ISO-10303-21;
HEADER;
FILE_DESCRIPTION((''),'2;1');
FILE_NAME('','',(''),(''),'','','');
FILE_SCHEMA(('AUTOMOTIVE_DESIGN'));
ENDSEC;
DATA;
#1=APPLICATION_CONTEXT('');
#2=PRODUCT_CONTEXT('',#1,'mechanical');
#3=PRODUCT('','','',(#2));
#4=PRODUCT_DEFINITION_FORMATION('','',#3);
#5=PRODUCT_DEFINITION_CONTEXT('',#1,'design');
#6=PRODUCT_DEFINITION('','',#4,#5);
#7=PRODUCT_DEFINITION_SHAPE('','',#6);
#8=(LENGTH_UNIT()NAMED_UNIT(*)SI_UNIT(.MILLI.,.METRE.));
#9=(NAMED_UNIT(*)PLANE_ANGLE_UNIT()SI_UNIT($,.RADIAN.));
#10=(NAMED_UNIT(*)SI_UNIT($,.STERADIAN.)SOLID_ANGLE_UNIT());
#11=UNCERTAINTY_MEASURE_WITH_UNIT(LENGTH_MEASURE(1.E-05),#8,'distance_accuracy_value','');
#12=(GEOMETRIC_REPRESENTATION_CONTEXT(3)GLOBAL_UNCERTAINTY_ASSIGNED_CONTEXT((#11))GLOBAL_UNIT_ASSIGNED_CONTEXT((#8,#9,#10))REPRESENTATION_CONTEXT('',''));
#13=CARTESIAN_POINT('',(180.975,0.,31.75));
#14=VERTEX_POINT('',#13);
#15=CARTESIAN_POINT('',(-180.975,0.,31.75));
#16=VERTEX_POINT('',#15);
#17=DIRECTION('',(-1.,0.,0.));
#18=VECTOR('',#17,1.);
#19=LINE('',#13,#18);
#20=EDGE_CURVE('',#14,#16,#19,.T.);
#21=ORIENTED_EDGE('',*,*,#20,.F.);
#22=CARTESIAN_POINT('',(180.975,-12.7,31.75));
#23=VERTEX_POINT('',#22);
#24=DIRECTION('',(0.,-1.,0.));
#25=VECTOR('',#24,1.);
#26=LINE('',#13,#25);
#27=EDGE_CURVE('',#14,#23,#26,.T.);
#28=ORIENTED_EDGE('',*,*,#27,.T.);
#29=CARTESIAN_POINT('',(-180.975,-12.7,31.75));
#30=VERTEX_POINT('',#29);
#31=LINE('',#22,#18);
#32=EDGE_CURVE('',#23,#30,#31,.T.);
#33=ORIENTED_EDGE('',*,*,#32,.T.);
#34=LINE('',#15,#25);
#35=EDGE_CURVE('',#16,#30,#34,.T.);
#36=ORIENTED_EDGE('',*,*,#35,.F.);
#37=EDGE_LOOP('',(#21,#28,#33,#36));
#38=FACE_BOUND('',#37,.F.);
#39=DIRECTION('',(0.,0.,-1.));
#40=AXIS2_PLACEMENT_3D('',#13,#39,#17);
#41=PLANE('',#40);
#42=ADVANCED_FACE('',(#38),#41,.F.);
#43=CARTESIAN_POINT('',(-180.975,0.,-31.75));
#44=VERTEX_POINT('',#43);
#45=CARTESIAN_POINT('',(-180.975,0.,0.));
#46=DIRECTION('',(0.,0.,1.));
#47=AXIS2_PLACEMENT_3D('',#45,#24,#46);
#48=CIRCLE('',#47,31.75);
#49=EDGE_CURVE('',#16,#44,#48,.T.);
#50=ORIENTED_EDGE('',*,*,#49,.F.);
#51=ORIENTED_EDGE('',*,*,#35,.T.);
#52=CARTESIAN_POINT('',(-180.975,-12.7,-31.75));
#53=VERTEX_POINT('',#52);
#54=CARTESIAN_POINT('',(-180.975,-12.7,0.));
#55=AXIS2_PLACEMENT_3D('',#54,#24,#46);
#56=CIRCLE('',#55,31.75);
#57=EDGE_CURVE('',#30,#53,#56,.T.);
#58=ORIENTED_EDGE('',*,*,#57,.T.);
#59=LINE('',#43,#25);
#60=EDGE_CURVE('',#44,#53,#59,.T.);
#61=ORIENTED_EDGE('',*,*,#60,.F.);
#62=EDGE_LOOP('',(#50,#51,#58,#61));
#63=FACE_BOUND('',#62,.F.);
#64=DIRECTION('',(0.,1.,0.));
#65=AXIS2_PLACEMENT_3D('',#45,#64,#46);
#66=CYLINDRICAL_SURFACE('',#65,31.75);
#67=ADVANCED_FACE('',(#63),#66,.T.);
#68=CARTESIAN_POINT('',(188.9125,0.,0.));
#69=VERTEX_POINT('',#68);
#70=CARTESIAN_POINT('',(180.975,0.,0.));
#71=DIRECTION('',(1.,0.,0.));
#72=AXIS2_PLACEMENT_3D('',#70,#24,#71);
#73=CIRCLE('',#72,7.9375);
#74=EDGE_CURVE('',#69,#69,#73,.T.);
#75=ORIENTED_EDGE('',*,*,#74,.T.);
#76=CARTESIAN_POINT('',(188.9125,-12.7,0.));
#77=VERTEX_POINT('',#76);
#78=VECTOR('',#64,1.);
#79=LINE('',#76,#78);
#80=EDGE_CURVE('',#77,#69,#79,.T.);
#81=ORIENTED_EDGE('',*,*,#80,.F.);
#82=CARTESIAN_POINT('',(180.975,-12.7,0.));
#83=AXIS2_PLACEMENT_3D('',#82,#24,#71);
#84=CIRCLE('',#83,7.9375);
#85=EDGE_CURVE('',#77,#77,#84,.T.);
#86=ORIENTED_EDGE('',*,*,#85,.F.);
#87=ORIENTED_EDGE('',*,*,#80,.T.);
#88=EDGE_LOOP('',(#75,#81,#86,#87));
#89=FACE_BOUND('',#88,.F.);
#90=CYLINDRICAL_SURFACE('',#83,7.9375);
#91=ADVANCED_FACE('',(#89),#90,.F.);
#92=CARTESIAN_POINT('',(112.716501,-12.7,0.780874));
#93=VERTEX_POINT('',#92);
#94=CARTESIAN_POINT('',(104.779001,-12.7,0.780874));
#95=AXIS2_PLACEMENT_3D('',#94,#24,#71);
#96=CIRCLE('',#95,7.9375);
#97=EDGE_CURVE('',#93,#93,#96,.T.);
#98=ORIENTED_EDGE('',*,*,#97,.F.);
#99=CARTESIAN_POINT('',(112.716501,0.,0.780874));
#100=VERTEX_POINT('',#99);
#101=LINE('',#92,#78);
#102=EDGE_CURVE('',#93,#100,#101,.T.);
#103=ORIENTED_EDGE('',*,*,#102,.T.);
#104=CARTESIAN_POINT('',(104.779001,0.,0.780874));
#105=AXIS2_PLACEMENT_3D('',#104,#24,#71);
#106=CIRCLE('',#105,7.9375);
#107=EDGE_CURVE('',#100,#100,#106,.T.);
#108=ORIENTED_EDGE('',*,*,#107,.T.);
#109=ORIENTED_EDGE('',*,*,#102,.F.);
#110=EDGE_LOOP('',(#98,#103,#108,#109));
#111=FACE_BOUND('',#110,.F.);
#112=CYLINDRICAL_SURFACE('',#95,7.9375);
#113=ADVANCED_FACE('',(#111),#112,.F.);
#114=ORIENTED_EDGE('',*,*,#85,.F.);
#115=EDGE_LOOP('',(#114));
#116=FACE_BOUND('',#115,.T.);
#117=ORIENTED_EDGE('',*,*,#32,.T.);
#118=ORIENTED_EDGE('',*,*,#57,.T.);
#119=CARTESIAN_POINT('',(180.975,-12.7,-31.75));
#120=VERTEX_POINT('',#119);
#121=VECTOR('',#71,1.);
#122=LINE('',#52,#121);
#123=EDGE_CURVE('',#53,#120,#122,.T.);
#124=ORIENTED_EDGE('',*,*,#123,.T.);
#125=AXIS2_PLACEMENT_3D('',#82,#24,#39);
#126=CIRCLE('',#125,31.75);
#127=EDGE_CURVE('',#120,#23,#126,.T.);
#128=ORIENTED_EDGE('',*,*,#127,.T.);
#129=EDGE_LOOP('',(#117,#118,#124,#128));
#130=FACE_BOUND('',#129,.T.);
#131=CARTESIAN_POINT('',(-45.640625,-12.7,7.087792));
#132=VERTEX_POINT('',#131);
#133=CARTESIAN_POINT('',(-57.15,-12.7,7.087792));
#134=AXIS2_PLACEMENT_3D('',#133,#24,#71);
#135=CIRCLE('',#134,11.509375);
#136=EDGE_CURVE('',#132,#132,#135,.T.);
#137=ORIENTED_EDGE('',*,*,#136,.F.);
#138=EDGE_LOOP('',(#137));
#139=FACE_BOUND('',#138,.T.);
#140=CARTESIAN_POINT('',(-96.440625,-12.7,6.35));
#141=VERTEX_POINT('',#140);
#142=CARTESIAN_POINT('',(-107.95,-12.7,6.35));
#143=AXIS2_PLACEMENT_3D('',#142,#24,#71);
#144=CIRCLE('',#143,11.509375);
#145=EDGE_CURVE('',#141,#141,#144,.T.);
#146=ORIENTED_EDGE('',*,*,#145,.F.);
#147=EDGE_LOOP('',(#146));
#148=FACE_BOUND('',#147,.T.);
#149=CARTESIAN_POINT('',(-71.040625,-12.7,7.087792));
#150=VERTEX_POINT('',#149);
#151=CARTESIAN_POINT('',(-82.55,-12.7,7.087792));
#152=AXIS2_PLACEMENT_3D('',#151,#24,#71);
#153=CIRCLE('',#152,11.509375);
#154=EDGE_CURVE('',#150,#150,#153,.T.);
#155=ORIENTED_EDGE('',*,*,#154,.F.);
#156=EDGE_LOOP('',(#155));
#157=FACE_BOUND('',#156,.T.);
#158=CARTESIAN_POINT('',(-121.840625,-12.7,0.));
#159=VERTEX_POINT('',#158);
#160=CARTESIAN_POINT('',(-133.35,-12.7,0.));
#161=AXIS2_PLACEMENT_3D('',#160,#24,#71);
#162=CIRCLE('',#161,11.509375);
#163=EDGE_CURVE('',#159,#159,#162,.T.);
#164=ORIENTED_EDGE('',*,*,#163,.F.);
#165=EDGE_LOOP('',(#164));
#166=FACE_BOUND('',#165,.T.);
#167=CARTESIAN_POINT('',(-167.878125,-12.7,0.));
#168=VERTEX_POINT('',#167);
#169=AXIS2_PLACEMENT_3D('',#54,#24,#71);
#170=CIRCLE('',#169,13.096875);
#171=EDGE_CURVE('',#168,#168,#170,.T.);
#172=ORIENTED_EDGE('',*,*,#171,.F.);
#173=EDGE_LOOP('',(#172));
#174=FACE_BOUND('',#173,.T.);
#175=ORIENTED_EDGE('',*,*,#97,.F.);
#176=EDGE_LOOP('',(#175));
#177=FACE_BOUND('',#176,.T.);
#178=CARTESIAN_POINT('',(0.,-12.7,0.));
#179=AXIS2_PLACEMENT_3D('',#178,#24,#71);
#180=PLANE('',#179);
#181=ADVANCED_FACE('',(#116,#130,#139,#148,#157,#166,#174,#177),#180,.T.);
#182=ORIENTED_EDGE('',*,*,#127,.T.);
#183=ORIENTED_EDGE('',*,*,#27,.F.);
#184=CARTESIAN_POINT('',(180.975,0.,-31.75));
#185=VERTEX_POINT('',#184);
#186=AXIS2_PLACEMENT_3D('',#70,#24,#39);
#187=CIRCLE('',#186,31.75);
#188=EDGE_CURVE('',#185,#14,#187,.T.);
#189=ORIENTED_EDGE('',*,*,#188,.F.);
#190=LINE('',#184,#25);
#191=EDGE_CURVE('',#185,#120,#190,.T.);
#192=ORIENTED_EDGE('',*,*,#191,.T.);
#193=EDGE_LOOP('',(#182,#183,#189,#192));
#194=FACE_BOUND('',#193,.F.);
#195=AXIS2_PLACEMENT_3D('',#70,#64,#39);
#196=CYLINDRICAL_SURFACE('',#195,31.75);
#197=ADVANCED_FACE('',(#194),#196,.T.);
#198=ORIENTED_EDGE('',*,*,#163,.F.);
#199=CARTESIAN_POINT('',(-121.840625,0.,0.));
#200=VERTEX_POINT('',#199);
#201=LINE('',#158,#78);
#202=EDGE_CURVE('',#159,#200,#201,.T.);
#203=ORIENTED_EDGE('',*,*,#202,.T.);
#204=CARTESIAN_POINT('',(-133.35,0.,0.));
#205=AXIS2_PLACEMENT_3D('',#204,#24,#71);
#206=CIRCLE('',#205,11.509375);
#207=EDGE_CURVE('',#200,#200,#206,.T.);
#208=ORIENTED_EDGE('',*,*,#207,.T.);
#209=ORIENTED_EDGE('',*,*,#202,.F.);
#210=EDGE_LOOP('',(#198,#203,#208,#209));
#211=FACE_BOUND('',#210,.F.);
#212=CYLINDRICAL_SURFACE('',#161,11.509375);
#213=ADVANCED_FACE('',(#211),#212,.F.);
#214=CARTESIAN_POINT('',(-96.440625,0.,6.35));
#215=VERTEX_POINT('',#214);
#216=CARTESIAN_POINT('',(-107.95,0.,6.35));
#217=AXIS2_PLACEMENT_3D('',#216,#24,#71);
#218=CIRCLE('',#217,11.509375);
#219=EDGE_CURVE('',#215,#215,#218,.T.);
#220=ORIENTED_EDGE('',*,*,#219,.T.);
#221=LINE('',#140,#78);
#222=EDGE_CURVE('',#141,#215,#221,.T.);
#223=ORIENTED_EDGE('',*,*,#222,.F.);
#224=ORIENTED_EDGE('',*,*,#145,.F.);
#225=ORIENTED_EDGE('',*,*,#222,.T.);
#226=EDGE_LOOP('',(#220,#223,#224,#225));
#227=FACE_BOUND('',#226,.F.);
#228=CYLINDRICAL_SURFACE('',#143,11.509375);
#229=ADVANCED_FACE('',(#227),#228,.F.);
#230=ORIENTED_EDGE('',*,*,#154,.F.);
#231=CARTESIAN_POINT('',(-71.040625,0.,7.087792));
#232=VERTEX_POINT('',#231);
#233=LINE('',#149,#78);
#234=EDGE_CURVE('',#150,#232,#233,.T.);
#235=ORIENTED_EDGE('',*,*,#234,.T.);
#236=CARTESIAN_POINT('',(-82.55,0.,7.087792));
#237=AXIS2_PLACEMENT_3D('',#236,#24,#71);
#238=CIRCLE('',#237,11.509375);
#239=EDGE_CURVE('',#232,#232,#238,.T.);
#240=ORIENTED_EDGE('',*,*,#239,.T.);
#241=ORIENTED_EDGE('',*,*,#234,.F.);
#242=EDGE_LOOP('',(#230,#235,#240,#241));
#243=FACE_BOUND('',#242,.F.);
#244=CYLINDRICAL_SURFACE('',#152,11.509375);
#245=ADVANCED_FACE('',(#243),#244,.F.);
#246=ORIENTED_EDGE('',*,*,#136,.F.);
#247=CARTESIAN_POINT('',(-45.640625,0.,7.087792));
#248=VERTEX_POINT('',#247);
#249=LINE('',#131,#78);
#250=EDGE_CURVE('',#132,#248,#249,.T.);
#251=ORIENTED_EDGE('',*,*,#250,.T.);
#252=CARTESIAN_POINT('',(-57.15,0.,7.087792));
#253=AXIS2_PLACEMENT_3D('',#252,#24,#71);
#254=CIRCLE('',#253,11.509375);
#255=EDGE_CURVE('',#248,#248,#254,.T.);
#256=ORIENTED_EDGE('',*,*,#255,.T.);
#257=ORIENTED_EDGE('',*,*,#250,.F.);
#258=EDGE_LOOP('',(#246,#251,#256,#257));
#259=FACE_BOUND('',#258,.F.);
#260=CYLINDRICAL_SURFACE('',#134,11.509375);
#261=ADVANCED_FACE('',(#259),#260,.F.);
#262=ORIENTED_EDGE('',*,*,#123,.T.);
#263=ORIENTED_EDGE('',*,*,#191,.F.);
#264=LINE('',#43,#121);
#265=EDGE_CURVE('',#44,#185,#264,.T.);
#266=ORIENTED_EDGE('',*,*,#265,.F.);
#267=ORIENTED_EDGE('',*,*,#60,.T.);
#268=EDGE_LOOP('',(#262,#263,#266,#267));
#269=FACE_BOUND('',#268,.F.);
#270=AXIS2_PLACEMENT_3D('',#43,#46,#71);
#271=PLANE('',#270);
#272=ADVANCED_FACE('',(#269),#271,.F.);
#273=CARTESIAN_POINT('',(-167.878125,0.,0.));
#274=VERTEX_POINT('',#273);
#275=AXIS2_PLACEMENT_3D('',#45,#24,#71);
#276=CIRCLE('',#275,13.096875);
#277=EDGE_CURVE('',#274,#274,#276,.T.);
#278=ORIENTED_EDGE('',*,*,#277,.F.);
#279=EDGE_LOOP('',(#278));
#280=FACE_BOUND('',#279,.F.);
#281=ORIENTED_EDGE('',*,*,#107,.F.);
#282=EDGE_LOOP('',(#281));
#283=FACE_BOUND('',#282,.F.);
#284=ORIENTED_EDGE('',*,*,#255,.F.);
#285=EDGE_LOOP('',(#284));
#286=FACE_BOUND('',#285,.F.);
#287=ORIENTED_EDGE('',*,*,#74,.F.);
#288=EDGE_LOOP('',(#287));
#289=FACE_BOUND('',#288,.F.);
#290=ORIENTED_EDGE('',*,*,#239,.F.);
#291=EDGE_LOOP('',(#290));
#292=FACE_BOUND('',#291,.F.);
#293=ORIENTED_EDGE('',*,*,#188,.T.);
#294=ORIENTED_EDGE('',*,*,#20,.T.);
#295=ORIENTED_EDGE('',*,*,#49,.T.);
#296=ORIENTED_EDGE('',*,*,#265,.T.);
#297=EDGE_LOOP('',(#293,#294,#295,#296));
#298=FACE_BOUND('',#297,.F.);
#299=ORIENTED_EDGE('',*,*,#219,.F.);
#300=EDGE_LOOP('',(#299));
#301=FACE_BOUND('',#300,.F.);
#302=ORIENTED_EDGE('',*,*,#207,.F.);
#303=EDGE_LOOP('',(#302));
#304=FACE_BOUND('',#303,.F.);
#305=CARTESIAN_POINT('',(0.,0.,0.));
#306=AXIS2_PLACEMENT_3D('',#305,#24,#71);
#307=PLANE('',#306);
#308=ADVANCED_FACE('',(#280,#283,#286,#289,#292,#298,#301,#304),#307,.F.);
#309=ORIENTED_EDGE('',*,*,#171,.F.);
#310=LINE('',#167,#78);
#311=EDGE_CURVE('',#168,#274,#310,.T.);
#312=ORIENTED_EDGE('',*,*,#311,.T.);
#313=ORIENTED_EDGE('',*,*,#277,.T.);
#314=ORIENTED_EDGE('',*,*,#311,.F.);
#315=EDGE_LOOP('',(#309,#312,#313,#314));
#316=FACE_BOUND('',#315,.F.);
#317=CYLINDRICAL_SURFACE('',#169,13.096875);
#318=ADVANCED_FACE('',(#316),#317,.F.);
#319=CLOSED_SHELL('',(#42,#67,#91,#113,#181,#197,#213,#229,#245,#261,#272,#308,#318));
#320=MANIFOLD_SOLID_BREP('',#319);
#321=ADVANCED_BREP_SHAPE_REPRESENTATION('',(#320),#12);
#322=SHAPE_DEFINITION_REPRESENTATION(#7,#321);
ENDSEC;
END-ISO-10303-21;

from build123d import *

# Parameters (mm, degrees)
F0_W      = 419.1
F0_H      = 88.9
F0_R      = 13.096875
F0_R_2    = 11.509375
F0_R_3    = 10.31875
F1_DEPTH  = 12.7
F2_R      = 11.509375
F3_DEPTH  = 12.701
F5_DEPTH  = 12.701
F7_DEPTH  = 12.7010001
F9_DEPTH  = 12.7
F10_R     = 13.096875
F10_R_2   = 11.509375
F10_R_3   = 7.9375
F11_DEPTH = 25.4010001


with BuildPart() as f1:
    # F0 (on Front) → F1 (new body)
    with BuildSketch(Plane.XZ):
        Rectangle(F0_W, F0_H)
        with Locations((-177.8, -12.7)):
            Circle(F0_R, mode=Mode.SUBTRACT)
        with Locations((-12.7, -18.7318846583)):
            Circle(F0_R_2, mode=Mode.SUBTRACT)
        with Locations((19.05, -19.1783625633)):
            Circle(F0_R_2, mode=Mode.SUBTRACT)
        with Locations((50.8, -18.7318846583)):
            Circle(F0_R_2, mode=Mode.SUBTRACT)
        with Locations((82.55, -19.05)):
            Circle(F0_R_2, mode=Mode.SUBTRACT)
        with Locations((133.35, -12.7)):
            Circle(F0_R_3, mode=Mode.SUBTRACT)
        with Locations((184.15, -12.7)):
            Circle(F0_R_3, mode=Mode.SUBTRACT)
    extrude(amount=-F1_DEPTH)

    # F2 (on face) → F3 (cut, through all)
    with BuildSketch(Plane.XZ):
        with Locations((-142.08252, 18.4232164174)):
            Circle(F2_R)
        with Locations((-104.306563735, 14.0248946846)):
            Circle(F2_R)
        with Locations((-71.5190842748, 1.6296281246)):
            Circle(F2_R)
        with Locations((-45.7596568011, -14.1053809535)):
            Circle(F2_R)
    extrude(amount=-F3_DEPTH, mode=Mode.SUBTRACT)

    # F4 (on face) → F5 (cut, through all)
    with BuildSketch(Plane.XZ):
        with BuildLine():
            ThreePointArc((-209.55, -12.7), (-207.0936907923, -0.4549120148), (-200.1048233219, 9.8955162937))
            Line((-200.1048233219, 9.8955162937), (-165.1, 44.45))
            Line((-165.1, 44.45), (-209.55, 44.45))
            Line((-209.55, 44.45), (-209.55, -12.7))
        make_face()
        with BuildLine():
            Line((-209.55, -44.45), (-177.8, -44.45))
            ThreePointArc((-177.8, -44.45), (-200.2506403027, -35.1506403027), (-209.55, -12.7))
            Line((-209.55, -12.7), (-209.55, -44.45))
        make_face()
        with BuildLine():
            ThreePointArc((-146.0861882684, -11.1845312756), (-146.0590483564, -11.9420496313), (-146.05, -12.7))
            ThreePointArc((-146.05, -12.7), (-155.3493596973, -35.1506403027), (-177.8, -44.45))
            Line((-177.8, -44.45), (-38.1, -44.45))
            add(Edge.make_bspline(
                [(-135.731991463, -1.5425124657), (-123.0853934374, -3.2529361125), (-97.8098704079, -7.8915227069), (-55.1757360667, -37.2664877617), (-44.6494842281, -43.1637651569), (-38.1, -44.45)],
                knots=[0, 0, 0, 0, 0.3555356426, 0.7550234425, 1, 1, 1, 1], degree=3))
            ThreePointArc((-135.731991463, -1.5425124657), (-142.8632378904, -4.2650367263), (-146.0861882684, -11.1845312756))
        make_face()
    extrude(amount=-F5_DEPTH, mode=Mode.SUBTRACT)

    # F6 (on face) → F7 (cut, through all)
    with BuildSketch(Plane.XZ):
        with BuildLine():
            Line((209.55, 44.45), (163.5125, 44.45))
            Line((163.5125, 44.45), (202.2463189928, 5.1236707474))
            ThreePointArc((202.2463189928, 5.1236707474), (207.6532604037, -3.0689694011), (209.55, -12.6999998198))
            Line((209.55, -12.6999998198), (209.55, 44.45))
        make_face()
        with BuildLine():
            Line((209.55, -44.45), (209.55, -12.6999998198))
            ThreePointArc((209.55, -12.6999998198), (206.8684506917, -24.0592252451), (199.39, -33.02))
            Line((199.39, -33.02), (184.15, -44.45))
            Line((184.15, -44.45), (209.55, -44.45))
        make_face()
    extrude(amount=-F7_DEPTH, mode=Mode.SUBTRACT)


with BuildPart() as f9:
    # F8 (on Front) → F9 (new body)
    with BuildSketch(Plane.XZ):
        with BuildLine():
            Line((180.975, 31.75), (-180.975, 31.75))
            ThreePointArc((-180.975, 31.75), (-212.725, 0), (-180.975, -31.75))
            Line((-180.975, -31.75), (180.975, -31.75))
            ThreePointArc((180.975, -31.75), (212.725, 0), (180.975, 31.75))
        make_face()
    extrude(amount=F9_DEPTH)


with BuildPart() as f11_tool:
    # F10 (on face) → F11 (new body, through all)
    with BuildSketch(Plane.XZ.offset(12.7)):
        with Locations((-180.975, 0)):
            Circle(F10_R)
        with Locations((-133.35, 0)):
            Circle(F10_R_2)
        with Locations((-107.95, 6.35)):
            Circle(F10_R_2)
        with Locations((-82.55, 7.0877922699)):
            Circle(F10_R_2)
        with Locations((-57.15, 7.0877922699)):
            Circle(F10_R_2)
        with Locations((104.7790011828, 0.7808740327)):
            Circle(F10_R_3)
        with Locations((180.975, 0)):
            Circle(F10_R_3)
    extrude(amount=-F11_DEPTH)


with BuildPart() as f1_1:
    add(f1.part)

    # F11: cut by f11_tool
    add(f11_tool.part, mode=Mode.SUBTRACT)


with BuildPart() as f9_1:
    add(f9.part)

    # F11: cut by f11_tool
    add(f11_tool.part, mode=Mode.SUBTRACT)


solid = f9_1.part
